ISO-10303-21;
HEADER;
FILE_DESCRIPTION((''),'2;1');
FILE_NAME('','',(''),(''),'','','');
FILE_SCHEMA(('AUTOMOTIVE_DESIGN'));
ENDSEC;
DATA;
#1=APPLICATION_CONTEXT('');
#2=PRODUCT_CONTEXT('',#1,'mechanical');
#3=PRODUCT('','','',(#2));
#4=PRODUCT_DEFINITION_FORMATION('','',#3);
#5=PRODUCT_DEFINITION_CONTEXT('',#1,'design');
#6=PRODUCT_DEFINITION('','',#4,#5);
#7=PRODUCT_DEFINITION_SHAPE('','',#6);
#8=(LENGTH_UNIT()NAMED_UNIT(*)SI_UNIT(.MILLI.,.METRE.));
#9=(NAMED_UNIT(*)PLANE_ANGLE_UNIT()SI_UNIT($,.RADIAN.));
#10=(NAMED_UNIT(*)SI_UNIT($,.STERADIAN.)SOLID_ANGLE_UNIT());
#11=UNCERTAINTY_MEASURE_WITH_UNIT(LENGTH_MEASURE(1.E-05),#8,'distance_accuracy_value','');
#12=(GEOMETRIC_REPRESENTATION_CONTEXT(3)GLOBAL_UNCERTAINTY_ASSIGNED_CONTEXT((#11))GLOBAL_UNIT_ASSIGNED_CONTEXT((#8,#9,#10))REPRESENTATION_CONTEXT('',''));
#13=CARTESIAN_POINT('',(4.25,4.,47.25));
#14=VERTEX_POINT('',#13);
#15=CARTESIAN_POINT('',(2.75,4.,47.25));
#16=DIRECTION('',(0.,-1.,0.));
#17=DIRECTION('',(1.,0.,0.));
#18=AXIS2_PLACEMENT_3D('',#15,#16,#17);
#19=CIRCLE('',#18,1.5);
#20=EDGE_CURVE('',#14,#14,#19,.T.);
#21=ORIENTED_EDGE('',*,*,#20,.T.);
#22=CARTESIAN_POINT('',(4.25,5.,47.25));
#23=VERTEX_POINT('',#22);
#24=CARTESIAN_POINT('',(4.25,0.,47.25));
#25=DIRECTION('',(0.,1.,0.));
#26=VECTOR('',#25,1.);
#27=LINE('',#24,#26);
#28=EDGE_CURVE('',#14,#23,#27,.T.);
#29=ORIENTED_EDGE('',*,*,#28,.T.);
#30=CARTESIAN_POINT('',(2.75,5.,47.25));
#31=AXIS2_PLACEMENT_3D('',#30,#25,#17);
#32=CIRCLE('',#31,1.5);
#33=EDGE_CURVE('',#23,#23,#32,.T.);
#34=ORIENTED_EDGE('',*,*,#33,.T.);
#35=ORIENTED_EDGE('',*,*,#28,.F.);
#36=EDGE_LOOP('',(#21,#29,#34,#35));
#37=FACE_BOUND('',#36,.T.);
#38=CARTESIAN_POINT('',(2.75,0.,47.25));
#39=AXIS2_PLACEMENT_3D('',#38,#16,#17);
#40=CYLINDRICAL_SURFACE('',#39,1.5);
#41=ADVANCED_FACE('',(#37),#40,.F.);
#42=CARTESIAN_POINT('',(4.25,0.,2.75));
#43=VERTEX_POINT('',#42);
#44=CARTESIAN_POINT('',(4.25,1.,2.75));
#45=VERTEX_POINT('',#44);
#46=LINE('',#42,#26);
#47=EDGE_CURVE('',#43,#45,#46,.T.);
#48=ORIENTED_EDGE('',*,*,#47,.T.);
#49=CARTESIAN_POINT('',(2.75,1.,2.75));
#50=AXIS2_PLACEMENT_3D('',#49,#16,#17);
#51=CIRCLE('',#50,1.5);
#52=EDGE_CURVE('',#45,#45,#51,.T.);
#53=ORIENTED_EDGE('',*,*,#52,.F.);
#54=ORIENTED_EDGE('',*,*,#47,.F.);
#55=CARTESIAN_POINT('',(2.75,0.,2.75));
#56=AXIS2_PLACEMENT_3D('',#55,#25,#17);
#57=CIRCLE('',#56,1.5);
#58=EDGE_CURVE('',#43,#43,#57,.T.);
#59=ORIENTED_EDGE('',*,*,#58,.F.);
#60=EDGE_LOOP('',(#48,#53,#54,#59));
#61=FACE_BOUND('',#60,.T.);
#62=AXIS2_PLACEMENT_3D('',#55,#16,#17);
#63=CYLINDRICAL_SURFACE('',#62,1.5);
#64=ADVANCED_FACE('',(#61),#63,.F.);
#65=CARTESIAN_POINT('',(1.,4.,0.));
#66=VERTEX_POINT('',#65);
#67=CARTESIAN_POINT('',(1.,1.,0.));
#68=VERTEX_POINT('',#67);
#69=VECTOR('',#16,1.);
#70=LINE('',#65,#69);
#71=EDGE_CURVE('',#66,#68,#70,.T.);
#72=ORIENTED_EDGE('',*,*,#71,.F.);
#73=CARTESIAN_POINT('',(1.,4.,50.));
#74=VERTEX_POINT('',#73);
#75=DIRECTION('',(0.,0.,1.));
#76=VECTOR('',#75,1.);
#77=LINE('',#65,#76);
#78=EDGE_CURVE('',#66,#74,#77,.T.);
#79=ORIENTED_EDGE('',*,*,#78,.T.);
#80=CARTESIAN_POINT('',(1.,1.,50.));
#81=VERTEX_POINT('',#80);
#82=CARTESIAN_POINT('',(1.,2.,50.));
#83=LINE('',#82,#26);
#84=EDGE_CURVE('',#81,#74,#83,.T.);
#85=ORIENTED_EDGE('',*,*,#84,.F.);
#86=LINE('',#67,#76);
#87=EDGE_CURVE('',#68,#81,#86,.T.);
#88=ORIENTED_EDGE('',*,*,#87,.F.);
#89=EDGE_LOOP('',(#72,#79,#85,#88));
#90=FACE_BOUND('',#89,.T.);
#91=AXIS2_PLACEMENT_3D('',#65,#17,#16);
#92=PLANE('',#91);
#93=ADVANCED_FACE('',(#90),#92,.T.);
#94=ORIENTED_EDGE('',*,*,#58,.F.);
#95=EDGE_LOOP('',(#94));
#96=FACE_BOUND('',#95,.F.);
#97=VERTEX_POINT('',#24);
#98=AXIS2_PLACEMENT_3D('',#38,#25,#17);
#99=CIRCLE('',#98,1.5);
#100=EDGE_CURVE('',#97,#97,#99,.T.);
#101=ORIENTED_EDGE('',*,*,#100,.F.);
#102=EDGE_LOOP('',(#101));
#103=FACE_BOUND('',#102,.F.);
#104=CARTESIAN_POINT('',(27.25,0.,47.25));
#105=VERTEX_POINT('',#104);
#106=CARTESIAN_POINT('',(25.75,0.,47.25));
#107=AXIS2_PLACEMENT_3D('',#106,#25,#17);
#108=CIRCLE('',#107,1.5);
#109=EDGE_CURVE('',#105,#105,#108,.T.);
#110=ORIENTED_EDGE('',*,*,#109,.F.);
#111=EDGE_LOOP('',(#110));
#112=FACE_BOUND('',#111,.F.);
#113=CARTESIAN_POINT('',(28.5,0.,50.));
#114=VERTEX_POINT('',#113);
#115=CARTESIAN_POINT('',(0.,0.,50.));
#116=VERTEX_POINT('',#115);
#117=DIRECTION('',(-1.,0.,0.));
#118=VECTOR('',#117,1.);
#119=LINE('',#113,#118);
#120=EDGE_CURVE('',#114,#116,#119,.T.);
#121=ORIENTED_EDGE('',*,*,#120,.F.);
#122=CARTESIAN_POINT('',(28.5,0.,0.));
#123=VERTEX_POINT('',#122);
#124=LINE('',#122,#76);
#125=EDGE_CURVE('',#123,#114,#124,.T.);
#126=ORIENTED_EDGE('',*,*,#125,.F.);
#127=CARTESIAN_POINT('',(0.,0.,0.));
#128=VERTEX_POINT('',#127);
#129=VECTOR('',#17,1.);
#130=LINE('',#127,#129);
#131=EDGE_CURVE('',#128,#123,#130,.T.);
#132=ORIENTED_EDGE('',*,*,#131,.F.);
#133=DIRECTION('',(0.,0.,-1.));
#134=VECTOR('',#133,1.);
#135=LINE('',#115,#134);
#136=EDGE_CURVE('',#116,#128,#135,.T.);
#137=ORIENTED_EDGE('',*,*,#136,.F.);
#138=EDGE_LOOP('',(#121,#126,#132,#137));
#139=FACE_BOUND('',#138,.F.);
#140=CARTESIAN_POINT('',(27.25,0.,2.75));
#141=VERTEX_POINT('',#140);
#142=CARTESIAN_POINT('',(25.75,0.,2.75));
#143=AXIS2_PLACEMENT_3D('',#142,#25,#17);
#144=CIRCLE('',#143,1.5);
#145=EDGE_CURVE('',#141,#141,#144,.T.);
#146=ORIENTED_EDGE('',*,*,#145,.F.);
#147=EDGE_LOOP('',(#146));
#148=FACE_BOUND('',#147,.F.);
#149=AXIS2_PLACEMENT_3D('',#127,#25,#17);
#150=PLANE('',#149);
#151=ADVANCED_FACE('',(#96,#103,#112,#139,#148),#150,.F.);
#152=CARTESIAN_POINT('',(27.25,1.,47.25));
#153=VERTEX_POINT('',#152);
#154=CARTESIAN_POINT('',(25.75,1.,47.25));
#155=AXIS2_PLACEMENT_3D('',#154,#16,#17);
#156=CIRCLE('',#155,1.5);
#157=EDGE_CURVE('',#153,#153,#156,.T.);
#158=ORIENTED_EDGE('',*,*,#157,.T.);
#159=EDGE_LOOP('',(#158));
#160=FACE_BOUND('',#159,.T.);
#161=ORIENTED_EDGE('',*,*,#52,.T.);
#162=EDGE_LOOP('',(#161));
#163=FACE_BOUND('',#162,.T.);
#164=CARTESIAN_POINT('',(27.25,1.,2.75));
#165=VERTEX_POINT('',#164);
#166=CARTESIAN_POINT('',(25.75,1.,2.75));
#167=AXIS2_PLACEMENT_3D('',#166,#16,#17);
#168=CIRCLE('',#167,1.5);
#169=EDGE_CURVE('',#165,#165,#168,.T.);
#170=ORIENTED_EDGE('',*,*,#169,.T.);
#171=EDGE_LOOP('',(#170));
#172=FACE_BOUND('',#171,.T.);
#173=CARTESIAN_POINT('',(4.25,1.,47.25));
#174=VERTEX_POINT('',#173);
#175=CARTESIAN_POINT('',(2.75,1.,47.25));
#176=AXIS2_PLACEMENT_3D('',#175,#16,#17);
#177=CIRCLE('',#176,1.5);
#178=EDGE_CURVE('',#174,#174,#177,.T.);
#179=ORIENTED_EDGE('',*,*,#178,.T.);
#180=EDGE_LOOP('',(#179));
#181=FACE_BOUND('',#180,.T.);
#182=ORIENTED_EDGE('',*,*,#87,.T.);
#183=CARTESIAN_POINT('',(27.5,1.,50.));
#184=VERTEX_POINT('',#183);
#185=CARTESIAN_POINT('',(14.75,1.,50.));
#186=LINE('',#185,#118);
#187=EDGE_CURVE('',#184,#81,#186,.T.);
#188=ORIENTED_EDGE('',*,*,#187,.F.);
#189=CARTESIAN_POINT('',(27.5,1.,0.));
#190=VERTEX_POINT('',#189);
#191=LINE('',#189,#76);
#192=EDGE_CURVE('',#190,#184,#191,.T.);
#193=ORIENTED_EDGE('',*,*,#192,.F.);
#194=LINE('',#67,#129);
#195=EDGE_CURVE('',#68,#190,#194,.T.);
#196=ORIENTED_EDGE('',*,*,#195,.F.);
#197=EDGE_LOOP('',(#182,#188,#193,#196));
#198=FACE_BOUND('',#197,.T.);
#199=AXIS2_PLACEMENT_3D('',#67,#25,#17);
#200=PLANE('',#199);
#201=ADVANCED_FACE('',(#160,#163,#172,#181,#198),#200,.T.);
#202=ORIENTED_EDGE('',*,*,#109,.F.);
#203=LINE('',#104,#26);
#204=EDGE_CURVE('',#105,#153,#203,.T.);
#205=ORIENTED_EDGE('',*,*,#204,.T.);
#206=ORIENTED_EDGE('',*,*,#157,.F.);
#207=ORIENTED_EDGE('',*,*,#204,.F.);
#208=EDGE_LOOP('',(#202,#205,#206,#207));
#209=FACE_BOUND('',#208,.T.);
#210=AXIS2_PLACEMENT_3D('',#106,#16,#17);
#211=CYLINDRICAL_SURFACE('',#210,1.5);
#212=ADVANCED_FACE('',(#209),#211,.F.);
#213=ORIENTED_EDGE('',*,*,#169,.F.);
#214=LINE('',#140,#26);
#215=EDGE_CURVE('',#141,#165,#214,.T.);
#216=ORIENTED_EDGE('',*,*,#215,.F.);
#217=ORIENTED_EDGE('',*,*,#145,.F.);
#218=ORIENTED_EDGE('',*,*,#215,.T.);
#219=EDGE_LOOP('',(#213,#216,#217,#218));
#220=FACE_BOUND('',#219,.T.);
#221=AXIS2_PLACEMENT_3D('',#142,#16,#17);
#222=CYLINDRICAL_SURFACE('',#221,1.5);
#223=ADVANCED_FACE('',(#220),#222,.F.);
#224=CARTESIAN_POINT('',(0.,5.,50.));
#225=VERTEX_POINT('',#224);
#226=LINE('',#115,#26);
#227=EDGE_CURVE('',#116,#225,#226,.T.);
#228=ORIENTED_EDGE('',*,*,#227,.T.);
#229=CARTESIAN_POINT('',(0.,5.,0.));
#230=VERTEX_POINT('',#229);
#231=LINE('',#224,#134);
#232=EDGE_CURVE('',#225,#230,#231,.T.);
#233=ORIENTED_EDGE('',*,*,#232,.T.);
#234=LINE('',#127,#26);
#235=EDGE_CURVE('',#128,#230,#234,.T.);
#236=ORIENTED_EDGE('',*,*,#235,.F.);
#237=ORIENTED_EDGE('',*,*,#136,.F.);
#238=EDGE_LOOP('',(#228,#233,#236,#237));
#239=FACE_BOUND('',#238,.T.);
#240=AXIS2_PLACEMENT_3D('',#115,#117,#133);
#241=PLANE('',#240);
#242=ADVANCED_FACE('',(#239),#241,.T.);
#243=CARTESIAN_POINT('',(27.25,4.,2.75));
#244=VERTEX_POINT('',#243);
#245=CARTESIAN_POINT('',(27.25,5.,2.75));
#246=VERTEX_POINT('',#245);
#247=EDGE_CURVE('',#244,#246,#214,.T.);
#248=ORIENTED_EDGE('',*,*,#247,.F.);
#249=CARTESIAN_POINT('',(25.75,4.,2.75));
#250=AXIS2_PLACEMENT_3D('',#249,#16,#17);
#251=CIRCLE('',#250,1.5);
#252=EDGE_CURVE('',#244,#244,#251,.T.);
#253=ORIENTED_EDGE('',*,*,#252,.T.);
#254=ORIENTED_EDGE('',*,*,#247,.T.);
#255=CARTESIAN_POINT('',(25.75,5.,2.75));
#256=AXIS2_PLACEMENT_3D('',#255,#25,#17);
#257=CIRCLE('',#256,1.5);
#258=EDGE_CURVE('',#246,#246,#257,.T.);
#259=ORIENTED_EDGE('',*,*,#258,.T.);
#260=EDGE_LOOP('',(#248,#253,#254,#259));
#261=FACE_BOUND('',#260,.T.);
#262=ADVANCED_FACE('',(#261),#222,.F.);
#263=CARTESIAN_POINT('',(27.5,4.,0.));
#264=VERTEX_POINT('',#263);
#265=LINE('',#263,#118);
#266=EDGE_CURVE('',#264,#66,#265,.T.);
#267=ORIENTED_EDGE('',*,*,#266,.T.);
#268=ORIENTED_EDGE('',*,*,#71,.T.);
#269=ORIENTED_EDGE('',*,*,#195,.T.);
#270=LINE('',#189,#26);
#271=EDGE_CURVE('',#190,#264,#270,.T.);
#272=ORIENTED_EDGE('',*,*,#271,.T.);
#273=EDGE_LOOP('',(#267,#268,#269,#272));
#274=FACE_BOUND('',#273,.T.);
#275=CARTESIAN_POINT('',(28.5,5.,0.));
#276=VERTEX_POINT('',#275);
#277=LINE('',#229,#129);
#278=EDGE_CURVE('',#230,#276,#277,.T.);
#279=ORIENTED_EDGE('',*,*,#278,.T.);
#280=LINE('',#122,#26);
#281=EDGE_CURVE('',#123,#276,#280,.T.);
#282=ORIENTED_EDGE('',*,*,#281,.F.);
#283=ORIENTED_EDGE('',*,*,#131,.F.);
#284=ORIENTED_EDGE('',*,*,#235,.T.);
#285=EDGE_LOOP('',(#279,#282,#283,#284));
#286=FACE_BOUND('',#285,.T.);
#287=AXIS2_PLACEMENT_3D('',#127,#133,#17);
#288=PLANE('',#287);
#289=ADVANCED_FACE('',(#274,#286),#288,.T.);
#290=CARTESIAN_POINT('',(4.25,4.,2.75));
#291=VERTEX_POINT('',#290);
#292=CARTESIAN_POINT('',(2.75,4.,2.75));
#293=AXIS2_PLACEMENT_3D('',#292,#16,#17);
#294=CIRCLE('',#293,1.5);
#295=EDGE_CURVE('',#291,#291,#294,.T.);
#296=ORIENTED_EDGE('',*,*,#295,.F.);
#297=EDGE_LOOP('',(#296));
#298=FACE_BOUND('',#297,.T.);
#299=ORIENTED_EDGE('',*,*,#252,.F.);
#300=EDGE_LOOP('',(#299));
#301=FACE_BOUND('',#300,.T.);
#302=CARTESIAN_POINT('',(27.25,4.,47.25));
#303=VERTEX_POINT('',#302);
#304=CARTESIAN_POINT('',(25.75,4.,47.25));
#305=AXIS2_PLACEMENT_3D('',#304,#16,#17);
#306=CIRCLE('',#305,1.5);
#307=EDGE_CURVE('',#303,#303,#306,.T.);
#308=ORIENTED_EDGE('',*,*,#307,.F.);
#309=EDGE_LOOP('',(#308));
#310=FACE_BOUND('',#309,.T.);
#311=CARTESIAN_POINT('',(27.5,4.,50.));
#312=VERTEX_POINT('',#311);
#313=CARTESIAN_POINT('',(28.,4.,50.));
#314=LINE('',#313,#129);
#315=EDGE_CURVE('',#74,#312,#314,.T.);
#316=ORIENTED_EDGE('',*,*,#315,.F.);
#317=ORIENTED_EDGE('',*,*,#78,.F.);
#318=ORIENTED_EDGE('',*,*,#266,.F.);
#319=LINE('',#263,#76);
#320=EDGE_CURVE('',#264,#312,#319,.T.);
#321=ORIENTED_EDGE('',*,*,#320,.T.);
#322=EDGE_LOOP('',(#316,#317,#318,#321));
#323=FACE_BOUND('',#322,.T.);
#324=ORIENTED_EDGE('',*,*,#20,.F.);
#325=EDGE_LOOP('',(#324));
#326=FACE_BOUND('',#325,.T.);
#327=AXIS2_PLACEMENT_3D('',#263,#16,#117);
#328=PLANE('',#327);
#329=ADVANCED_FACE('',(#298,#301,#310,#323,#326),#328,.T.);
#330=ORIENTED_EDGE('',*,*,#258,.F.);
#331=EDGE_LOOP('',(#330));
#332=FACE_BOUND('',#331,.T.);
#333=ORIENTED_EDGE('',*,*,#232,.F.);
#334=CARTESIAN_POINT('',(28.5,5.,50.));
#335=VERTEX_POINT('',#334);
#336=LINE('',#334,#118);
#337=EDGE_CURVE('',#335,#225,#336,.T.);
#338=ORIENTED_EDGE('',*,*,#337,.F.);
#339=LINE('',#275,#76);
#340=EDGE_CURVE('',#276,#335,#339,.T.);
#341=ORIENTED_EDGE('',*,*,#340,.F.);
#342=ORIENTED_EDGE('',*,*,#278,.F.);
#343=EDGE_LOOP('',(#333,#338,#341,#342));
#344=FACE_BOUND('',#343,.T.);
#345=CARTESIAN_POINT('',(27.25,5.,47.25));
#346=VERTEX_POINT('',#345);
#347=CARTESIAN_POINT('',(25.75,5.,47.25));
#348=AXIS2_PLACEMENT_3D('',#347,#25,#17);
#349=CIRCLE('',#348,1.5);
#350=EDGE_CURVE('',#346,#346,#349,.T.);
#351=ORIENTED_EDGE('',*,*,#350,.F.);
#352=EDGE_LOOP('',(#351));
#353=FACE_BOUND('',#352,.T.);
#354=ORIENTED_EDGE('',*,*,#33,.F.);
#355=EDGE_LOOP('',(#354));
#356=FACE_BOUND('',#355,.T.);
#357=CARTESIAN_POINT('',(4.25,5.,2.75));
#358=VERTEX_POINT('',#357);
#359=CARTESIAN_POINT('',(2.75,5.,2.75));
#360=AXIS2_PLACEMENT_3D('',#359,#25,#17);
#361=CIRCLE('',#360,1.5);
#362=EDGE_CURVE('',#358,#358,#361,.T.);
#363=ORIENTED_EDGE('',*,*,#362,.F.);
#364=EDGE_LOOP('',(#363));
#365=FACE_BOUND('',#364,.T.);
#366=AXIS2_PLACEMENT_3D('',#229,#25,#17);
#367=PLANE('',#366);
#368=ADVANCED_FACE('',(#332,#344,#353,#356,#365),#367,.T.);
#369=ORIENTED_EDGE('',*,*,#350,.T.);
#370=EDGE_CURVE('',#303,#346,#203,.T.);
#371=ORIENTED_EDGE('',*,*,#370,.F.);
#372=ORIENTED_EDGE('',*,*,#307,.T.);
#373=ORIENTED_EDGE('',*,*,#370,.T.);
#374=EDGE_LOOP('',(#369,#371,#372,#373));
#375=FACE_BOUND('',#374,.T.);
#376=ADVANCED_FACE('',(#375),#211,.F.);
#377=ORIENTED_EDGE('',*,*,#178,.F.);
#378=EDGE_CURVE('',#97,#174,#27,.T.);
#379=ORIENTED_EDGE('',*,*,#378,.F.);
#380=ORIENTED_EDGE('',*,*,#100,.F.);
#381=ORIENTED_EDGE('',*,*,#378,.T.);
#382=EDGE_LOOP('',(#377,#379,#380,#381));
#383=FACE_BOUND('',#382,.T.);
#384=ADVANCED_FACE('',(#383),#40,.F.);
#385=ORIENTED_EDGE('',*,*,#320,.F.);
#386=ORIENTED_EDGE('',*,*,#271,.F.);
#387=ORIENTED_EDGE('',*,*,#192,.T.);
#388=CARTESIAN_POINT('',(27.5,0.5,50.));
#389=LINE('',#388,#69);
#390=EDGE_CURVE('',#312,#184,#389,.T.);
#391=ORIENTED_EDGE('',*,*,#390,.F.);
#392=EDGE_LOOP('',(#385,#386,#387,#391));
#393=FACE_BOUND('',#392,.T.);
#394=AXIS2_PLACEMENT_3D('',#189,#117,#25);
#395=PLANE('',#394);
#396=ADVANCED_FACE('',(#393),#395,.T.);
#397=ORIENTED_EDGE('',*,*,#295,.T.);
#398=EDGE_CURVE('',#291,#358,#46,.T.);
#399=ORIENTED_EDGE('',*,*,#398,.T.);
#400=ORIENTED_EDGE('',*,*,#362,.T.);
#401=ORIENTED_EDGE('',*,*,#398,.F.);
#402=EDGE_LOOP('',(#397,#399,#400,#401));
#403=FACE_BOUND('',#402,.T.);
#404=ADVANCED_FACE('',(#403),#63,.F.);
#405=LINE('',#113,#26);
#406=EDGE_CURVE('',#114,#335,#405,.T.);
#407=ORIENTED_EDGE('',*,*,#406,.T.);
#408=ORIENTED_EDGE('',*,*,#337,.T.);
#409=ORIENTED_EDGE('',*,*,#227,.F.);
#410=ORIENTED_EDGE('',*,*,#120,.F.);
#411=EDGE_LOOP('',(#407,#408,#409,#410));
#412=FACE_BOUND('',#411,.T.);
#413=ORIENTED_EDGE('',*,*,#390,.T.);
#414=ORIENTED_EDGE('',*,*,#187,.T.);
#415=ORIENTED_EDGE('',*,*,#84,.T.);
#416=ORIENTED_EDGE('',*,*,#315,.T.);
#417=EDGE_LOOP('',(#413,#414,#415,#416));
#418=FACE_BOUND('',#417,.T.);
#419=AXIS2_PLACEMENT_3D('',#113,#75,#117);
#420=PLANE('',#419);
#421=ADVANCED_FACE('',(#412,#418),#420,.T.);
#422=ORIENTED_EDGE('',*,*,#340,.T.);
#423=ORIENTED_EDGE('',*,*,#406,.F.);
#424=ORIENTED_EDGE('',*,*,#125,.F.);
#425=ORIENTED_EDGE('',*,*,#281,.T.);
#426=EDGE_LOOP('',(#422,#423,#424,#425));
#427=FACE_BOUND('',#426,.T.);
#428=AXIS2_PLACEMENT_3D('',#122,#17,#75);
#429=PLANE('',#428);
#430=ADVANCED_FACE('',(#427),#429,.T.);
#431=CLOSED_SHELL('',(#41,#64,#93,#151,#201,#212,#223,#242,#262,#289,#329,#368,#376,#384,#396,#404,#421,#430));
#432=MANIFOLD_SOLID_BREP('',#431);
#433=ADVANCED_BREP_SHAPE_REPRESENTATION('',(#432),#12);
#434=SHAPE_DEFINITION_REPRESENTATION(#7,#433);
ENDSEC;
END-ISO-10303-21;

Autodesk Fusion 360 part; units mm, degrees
sketch "Esquisse1" plane through (0, 0, 0) normal (0, 1, 0) x (1, 0, 0)
  line L0 (0, 0) -> (28.5, 0)
  line L1 (28.5, 0) -> (28.5, -50)
  line L2 (28.5, -50) -> (0, -50)
  line L3 (0, -50) -> (0, 0)
  circle A0 centre (2.75, -2.75) radius 1.5
  circle A1 centre (25.75, -2.75) radius 1.5
  circle A2 centre (2.75, -47.25) radius 1.5
  circle A3 centre (25.75, -47.25) radius 1.5
  dimension "d1" = 28.5
  dimension "d2" = 50
  dimension "d3" = 3
  dimension "d4" = 3
  dimension "d5" = 3
  dimension "d6" = 3
  dimension "d7" = 2.75
  dimension "d8" = 2.75
  dimension "d9" = 2.75
  dimension "d10" = 2.75
  dimension "d11" = 2.75
  dimension "d12" = 2.75
  dimension "d13" = 2.75
  dimension "d14" = 2.75
extrude "Extrusion1" add sketch "Esquisse1" along normal blind 5
sketch "Esquisse2" plane through (0, 0, 0) normal (0, 0, -1) x (-1, 0, 0)
  line L0 (-28.5, 0) -> (0, 0)
  line L1 (0, 0) -> (0, 5)
  line L2 (0, 5) -> (-28.5, 5)
  line L3 (-28.5, 5) -> (-28.5, 0)
  line L4 (-27.5, 4) -> (-1, 4)
  line L5 (-1, 4) -> (-1, 1)
  line L6 (-1, 1) -> (-27.5, 1)
  line L7 (-27.5, 1) -> (-27.5, 4)
  dimension "d17" = 1
  dimension "d18" = 1
  dimension "d19" = 1
  dimension "d20" = 1
extrude "Extrusion2" cut sketch "Esquisse2" against normal blind 71 contours L4 L5 L6 L7
sketch "Esquisse3" plane through (0, 5, 0) normal (0, 1, 0) x (-1, 0, 0)
  circle A0 centre (-2.75, 2.75) radius 1.5
  circle A1 centre (-2.75, 47.25) radius 1.5
  circle A2 centre (-25.75, 2.75) radius 1.5
  circle A3 centre (-25.75, 47.25) radius 1.5
  line L0 (0, 50) -> (-28.5, 50)
  line L1 (-28.5, 50) -> (-28.5, 0)
  line L2 (-28.5, 0) -> (0, 0)
  line L3 (0, 0) -> (0, 50)
